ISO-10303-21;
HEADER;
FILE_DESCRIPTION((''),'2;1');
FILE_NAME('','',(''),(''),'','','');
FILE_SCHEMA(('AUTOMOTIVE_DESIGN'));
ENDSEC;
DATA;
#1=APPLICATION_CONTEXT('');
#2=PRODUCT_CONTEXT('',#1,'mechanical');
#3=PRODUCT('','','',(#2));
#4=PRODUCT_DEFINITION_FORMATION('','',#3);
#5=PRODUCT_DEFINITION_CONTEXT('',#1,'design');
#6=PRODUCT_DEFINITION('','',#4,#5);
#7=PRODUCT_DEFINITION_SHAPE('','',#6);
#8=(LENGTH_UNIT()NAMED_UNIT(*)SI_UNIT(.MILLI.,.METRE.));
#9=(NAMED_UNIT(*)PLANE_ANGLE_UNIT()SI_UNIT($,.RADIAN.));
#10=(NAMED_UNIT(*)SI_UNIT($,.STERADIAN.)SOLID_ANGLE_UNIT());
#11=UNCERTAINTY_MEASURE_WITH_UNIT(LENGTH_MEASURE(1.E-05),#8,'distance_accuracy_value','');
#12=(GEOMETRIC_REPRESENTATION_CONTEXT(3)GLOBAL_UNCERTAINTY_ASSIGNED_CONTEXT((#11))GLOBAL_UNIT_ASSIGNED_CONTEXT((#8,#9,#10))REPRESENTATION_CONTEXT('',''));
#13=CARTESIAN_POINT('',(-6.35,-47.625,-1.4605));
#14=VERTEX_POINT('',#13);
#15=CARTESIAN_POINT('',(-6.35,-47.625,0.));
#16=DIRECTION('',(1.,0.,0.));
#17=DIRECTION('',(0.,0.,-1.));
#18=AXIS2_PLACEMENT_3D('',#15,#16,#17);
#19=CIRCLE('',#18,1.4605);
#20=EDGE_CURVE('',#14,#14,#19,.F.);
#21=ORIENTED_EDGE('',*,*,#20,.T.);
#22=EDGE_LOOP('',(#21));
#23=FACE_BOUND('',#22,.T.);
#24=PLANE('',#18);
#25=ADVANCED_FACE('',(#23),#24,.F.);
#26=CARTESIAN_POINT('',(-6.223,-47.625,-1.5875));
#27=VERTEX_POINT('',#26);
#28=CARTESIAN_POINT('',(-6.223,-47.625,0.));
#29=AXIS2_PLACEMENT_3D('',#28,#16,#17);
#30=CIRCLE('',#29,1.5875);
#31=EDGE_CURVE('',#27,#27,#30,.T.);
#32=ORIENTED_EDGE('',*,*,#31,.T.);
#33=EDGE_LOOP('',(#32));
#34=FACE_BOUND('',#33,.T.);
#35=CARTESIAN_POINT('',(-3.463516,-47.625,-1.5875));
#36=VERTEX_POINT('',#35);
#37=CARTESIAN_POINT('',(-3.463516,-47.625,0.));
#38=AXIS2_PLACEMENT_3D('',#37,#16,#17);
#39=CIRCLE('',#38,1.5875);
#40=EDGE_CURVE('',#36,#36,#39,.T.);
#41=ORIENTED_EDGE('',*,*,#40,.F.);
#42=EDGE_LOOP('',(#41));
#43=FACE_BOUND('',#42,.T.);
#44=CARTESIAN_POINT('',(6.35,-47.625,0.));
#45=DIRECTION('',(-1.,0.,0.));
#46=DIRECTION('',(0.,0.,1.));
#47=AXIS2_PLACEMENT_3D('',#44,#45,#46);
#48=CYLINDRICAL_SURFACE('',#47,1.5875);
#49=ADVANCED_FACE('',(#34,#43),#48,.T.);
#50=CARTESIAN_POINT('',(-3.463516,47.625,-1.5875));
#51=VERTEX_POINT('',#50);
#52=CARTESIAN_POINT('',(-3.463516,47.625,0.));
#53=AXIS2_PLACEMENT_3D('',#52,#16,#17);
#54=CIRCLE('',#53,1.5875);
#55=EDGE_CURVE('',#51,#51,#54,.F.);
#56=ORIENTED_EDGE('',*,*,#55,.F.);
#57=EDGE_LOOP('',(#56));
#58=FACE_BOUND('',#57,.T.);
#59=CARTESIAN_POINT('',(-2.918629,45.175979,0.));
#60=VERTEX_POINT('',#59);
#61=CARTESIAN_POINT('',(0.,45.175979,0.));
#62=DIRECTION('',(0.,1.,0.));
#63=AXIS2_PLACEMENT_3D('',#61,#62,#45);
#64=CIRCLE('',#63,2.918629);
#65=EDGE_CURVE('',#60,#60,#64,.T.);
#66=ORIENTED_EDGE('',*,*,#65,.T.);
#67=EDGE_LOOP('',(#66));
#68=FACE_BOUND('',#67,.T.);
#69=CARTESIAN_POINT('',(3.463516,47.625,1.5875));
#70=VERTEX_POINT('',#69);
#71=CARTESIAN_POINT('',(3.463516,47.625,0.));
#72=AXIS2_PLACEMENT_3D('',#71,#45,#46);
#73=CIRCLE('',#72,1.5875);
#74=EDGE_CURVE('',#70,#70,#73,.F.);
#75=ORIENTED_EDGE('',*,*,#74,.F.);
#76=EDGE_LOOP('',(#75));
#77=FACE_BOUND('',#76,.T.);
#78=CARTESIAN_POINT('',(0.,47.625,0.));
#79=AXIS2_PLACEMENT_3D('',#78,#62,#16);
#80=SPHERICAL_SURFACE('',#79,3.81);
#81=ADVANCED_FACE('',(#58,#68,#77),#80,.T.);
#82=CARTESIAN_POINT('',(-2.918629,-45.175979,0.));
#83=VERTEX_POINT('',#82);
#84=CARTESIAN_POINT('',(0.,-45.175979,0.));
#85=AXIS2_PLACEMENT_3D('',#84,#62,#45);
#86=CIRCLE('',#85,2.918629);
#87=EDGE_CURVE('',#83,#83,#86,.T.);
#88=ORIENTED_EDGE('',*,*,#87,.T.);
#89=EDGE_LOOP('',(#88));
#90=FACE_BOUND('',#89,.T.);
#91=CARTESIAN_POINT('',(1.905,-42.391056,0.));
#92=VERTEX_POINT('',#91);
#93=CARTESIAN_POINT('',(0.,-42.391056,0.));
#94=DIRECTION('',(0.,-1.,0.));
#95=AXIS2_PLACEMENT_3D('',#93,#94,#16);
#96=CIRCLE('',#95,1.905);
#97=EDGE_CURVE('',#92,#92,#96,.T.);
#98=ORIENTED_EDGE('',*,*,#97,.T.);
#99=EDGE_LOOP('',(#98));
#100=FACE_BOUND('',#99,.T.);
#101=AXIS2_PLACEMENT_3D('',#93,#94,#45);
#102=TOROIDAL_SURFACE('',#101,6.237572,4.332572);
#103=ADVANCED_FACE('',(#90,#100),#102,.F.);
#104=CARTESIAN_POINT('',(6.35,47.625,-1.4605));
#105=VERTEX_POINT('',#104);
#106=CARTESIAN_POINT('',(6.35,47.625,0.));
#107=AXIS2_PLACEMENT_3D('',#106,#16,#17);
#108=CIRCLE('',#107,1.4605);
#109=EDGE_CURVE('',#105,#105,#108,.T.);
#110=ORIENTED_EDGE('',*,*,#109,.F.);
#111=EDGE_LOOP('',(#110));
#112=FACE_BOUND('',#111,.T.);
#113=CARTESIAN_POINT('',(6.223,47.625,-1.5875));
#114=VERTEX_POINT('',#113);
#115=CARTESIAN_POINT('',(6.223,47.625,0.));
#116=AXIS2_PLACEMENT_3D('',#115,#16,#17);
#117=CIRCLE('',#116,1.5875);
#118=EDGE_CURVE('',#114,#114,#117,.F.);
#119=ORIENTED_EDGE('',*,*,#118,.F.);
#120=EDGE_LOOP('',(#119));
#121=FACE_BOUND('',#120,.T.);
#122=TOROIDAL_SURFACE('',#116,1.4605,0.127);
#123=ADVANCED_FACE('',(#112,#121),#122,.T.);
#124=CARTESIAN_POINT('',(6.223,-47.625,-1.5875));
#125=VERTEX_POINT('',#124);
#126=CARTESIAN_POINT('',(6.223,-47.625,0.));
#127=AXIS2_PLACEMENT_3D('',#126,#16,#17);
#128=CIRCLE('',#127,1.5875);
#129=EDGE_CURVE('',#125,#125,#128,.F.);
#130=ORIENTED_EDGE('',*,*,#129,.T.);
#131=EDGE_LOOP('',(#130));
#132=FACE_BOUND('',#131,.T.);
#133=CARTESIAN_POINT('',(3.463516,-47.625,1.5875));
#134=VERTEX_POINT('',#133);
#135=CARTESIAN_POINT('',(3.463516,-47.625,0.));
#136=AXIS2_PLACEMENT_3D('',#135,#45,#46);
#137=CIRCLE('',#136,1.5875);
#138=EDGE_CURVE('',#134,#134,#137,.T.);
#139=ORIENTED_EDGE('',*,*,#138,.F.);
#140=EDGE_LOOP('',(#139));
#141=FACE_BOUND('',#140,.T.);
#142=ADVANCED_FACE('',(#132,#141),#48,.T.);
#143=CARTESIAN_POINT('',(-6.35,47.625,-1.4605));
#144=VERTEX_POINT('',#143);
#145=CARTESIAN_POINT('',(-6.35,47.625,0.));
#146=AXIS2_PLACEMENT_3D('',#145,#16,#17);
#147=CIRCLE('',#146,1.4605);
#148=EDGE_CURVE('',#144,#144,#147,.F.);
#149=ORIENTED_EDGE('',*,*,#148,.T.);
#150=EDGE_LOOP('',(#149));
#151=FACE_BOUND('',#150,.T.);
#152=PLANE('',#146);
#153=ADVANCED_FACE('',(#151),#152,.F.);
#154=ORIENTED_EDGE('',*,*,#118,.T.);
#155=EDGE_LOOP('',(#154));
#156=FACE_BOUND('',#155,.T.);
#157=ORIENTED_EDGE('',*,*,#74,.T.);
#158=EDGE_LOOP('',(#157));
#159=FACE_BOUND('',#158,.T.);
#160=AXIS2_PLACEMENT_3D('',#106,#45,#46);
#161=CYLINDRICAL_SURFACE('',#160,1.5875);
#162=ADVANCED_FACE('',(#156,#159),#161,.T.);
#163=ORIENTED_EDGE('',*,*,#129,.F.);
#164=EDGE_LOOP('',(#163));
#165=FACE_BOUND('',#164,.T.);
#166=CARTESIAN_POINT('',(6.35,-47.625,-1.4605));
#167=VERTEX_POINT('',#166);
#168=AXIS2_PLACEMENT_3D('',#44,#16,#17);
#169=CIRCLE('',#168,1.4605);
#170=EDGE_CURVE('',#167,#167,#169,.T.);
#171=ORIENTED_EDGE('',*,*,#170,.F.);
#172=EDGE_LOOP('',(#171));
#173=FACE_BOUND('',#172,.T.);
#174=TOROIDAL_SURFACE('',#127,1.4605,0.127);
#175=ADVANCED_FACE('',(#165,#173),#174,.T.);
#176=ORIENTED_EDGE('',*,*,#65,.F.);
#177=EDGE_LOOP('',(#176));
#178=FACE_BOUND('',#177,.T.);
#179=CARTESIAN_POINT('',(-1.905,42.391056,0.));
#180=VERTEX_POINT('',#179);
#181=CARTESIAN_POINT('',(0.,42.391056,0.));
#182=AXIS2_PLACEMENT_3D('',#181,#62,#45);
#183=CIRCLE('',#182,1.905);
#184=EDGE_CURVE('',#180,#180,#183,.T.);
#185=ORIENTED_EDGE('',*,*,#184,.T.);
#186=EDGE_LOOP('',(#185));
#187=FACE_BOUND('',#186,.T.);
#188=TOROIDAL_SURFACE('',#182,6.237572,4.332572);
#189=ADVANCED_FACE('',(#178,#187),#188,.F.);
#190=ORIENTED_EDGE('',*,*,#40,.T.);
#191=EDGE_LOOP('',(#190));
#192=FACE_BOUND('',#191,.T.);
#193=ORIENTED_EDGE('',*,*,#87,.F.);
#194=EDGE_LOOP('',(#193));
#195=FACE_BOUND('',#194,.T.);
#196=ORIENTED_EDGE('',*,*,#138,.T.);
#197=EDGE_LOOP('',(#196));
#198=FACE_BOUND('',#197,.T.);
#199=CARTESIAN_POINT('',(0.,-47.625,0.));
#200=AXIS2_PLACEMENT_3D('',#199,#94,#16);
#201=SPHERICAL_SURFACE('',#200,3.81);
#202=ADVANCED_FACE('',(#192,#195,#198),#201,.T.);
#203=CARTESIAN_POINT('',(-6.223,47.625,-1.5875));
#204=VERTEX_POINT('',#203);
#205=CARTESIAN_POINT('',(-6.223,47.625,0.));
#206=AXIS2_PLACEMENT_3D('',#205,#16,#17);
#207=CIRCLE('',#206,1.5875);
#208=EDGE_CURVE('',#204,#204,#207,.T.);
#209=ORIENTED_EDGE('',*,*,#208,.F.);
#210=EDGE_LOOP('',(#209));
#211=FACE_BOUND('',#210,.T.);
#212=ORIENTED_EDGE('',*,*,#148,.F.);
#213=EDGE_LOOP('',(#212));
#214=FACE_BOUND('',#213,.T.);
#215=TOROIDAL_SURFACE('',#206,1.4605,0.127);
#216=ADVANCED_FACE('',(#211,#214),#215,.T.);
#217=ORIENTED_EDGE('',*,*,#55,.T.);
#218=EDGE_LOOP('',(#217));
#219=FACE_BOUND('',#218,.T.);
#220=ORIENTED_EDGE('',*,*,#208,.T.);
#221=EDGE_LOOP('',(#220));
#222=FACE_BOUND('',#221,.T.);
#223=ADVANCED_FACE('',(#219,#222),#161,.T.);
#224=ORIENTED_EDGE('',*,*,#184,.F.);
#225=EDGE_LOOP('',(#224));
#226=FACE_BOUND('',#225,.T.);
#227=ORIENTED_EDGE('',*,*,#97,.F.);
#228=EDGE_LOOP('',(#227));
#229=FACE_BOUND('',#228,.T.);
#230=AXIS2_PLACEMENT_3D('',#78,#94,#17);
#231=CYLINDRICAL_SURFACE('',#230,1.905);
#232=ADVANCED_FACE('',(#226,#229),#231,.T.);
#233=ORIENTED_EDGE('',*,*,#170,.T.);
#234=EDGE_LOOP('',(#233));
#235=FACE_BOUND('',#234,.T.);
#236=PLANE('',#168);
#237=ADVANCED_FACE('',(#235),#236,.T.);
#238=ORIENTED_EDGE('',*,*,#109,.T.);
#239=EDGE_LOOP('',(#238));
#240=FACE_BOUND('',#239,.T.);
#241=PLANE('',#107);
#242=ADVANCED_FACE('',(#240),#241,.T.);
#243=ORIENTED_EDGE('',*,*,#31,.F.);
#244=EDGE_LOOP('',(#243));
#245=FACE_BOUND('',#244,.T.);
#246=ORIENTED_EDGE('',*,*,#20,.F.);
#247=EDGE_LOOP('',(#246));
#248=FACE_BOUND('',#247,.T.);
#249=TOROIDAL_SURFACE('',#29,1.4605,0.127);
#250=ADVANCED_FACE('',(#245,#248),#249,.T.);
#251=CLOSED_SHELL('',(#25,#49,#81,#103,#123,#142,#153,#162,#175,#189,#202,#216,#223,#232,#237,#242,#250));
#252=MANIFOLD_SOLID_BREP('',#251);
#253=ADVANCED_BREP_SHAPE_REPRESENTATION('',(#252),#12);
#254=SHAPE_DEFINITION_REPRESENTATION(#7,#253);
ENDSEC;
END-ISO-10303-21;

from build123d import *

# Parameters (mm, degrees)
SKETCH1_R            = 1.905
BOSS_EXTRUDE1_DEPTH  = 47.625
SKETCH3_R            = 1.5875
BOSS_EXTRUDE2_DEPTH  = 6.35
FILLET1_R            = 0.127
FILLET1_OF_MIRROR1_R = 0.127


with BuildPart() as part:
    # Sketch1 → Boss-Extrude1 (new body)
    with BuildSketch(Plane(origin=(0, 0, 0), x_dir=(1, 0, 0), z_dir=(0, 1, 0))):
        with Locations(Location((0, 0, 0), (0, 0, 270))):
            Circle(SKETCH1_R)
    boss_extrude1 = extrude(amount=BOSS_EXTRUDE1_DEPTH)

    # Sketch2 → Revolve2 (revolve)
    with BuildSketch(Plane.XY, mode=Mode.PRIVATE) as revolve2_sk:
        with BuildLine():
            Line((1.905, 42.391055516), (0, 42.391055516))
            Line((0, 42.391055516), (0, 51.435))
            ThreePointArc((0, 51.435), (3.453032669, 49.235175577), (2.918629328, 45.175979207))
            ThreePointArc((2.918629328, 45.175979207), (2.166286071, 43.872882461), (1.905, 42.391055516))
        make_face()
    revolve2 = revolve(revolve2_sk.sketch.rotate(Axis((0, 51.435, 0), (0, -1, 0)), 180), axis=Axis((0, 51.435, 0), (0, -1, 0)))

    # Sketch3 → Boss-Extrude2 (add, symmetric)
    with BuildSketch(Plane(origin=(0, 0, 0), x_dir=(0, 0, -1), z_dir=(1, 0, 0))):
        with Locations(Location((0, 47.625, 0), (0, 0, 180))):
            Circle(SKETCH3_R)
    boss_extrude2 = extrude(amount=BOSS_EXTRUDE2_DEPTH, both=True)

    # Fillet1
    fillet1_edges = [part.edges().sort_by_distance(p)[0] for p in [
        (-6.35, 47.625, -1.5875),
        (6.35, 47.625, -1.5875),
    ]]
    fillet(fillet1_edges, radius=FILLET1_R)

    # Mirror1: Boss-Extrude1, Revolve2, Boss-Extrude2 across Top Plane
    add(boss_extrude1.mirror(Plane(origin=(0, 0, 0), x_dir=(1, 0, 0), z_dir=(0, 1, 0))))
    add(revolve2.mirror(Plane(origin=(0, 0, 0), x_dir=(1, 0, 0), z_dir=(0, 1, 0))))
    add(boss_extrude2.mirror(Plane(origin=(0, 0, 0), x_dir=(1, 0, 0), z_dir=(0, 1, 0))))

    # Fillet1 of Mirror1
    fillet1_of_mirror1_edges = [part.edges().sort_by_distance(p)[0] for p in [
        (-6.35, -47.625, -1.5875),
        (6.35, -47.625, -1.5875),
    ]]
    fillet(fillet1_of_mirror1_edges, radius=FILLET1_OF_MIRROR1_R)


solid = part.part
